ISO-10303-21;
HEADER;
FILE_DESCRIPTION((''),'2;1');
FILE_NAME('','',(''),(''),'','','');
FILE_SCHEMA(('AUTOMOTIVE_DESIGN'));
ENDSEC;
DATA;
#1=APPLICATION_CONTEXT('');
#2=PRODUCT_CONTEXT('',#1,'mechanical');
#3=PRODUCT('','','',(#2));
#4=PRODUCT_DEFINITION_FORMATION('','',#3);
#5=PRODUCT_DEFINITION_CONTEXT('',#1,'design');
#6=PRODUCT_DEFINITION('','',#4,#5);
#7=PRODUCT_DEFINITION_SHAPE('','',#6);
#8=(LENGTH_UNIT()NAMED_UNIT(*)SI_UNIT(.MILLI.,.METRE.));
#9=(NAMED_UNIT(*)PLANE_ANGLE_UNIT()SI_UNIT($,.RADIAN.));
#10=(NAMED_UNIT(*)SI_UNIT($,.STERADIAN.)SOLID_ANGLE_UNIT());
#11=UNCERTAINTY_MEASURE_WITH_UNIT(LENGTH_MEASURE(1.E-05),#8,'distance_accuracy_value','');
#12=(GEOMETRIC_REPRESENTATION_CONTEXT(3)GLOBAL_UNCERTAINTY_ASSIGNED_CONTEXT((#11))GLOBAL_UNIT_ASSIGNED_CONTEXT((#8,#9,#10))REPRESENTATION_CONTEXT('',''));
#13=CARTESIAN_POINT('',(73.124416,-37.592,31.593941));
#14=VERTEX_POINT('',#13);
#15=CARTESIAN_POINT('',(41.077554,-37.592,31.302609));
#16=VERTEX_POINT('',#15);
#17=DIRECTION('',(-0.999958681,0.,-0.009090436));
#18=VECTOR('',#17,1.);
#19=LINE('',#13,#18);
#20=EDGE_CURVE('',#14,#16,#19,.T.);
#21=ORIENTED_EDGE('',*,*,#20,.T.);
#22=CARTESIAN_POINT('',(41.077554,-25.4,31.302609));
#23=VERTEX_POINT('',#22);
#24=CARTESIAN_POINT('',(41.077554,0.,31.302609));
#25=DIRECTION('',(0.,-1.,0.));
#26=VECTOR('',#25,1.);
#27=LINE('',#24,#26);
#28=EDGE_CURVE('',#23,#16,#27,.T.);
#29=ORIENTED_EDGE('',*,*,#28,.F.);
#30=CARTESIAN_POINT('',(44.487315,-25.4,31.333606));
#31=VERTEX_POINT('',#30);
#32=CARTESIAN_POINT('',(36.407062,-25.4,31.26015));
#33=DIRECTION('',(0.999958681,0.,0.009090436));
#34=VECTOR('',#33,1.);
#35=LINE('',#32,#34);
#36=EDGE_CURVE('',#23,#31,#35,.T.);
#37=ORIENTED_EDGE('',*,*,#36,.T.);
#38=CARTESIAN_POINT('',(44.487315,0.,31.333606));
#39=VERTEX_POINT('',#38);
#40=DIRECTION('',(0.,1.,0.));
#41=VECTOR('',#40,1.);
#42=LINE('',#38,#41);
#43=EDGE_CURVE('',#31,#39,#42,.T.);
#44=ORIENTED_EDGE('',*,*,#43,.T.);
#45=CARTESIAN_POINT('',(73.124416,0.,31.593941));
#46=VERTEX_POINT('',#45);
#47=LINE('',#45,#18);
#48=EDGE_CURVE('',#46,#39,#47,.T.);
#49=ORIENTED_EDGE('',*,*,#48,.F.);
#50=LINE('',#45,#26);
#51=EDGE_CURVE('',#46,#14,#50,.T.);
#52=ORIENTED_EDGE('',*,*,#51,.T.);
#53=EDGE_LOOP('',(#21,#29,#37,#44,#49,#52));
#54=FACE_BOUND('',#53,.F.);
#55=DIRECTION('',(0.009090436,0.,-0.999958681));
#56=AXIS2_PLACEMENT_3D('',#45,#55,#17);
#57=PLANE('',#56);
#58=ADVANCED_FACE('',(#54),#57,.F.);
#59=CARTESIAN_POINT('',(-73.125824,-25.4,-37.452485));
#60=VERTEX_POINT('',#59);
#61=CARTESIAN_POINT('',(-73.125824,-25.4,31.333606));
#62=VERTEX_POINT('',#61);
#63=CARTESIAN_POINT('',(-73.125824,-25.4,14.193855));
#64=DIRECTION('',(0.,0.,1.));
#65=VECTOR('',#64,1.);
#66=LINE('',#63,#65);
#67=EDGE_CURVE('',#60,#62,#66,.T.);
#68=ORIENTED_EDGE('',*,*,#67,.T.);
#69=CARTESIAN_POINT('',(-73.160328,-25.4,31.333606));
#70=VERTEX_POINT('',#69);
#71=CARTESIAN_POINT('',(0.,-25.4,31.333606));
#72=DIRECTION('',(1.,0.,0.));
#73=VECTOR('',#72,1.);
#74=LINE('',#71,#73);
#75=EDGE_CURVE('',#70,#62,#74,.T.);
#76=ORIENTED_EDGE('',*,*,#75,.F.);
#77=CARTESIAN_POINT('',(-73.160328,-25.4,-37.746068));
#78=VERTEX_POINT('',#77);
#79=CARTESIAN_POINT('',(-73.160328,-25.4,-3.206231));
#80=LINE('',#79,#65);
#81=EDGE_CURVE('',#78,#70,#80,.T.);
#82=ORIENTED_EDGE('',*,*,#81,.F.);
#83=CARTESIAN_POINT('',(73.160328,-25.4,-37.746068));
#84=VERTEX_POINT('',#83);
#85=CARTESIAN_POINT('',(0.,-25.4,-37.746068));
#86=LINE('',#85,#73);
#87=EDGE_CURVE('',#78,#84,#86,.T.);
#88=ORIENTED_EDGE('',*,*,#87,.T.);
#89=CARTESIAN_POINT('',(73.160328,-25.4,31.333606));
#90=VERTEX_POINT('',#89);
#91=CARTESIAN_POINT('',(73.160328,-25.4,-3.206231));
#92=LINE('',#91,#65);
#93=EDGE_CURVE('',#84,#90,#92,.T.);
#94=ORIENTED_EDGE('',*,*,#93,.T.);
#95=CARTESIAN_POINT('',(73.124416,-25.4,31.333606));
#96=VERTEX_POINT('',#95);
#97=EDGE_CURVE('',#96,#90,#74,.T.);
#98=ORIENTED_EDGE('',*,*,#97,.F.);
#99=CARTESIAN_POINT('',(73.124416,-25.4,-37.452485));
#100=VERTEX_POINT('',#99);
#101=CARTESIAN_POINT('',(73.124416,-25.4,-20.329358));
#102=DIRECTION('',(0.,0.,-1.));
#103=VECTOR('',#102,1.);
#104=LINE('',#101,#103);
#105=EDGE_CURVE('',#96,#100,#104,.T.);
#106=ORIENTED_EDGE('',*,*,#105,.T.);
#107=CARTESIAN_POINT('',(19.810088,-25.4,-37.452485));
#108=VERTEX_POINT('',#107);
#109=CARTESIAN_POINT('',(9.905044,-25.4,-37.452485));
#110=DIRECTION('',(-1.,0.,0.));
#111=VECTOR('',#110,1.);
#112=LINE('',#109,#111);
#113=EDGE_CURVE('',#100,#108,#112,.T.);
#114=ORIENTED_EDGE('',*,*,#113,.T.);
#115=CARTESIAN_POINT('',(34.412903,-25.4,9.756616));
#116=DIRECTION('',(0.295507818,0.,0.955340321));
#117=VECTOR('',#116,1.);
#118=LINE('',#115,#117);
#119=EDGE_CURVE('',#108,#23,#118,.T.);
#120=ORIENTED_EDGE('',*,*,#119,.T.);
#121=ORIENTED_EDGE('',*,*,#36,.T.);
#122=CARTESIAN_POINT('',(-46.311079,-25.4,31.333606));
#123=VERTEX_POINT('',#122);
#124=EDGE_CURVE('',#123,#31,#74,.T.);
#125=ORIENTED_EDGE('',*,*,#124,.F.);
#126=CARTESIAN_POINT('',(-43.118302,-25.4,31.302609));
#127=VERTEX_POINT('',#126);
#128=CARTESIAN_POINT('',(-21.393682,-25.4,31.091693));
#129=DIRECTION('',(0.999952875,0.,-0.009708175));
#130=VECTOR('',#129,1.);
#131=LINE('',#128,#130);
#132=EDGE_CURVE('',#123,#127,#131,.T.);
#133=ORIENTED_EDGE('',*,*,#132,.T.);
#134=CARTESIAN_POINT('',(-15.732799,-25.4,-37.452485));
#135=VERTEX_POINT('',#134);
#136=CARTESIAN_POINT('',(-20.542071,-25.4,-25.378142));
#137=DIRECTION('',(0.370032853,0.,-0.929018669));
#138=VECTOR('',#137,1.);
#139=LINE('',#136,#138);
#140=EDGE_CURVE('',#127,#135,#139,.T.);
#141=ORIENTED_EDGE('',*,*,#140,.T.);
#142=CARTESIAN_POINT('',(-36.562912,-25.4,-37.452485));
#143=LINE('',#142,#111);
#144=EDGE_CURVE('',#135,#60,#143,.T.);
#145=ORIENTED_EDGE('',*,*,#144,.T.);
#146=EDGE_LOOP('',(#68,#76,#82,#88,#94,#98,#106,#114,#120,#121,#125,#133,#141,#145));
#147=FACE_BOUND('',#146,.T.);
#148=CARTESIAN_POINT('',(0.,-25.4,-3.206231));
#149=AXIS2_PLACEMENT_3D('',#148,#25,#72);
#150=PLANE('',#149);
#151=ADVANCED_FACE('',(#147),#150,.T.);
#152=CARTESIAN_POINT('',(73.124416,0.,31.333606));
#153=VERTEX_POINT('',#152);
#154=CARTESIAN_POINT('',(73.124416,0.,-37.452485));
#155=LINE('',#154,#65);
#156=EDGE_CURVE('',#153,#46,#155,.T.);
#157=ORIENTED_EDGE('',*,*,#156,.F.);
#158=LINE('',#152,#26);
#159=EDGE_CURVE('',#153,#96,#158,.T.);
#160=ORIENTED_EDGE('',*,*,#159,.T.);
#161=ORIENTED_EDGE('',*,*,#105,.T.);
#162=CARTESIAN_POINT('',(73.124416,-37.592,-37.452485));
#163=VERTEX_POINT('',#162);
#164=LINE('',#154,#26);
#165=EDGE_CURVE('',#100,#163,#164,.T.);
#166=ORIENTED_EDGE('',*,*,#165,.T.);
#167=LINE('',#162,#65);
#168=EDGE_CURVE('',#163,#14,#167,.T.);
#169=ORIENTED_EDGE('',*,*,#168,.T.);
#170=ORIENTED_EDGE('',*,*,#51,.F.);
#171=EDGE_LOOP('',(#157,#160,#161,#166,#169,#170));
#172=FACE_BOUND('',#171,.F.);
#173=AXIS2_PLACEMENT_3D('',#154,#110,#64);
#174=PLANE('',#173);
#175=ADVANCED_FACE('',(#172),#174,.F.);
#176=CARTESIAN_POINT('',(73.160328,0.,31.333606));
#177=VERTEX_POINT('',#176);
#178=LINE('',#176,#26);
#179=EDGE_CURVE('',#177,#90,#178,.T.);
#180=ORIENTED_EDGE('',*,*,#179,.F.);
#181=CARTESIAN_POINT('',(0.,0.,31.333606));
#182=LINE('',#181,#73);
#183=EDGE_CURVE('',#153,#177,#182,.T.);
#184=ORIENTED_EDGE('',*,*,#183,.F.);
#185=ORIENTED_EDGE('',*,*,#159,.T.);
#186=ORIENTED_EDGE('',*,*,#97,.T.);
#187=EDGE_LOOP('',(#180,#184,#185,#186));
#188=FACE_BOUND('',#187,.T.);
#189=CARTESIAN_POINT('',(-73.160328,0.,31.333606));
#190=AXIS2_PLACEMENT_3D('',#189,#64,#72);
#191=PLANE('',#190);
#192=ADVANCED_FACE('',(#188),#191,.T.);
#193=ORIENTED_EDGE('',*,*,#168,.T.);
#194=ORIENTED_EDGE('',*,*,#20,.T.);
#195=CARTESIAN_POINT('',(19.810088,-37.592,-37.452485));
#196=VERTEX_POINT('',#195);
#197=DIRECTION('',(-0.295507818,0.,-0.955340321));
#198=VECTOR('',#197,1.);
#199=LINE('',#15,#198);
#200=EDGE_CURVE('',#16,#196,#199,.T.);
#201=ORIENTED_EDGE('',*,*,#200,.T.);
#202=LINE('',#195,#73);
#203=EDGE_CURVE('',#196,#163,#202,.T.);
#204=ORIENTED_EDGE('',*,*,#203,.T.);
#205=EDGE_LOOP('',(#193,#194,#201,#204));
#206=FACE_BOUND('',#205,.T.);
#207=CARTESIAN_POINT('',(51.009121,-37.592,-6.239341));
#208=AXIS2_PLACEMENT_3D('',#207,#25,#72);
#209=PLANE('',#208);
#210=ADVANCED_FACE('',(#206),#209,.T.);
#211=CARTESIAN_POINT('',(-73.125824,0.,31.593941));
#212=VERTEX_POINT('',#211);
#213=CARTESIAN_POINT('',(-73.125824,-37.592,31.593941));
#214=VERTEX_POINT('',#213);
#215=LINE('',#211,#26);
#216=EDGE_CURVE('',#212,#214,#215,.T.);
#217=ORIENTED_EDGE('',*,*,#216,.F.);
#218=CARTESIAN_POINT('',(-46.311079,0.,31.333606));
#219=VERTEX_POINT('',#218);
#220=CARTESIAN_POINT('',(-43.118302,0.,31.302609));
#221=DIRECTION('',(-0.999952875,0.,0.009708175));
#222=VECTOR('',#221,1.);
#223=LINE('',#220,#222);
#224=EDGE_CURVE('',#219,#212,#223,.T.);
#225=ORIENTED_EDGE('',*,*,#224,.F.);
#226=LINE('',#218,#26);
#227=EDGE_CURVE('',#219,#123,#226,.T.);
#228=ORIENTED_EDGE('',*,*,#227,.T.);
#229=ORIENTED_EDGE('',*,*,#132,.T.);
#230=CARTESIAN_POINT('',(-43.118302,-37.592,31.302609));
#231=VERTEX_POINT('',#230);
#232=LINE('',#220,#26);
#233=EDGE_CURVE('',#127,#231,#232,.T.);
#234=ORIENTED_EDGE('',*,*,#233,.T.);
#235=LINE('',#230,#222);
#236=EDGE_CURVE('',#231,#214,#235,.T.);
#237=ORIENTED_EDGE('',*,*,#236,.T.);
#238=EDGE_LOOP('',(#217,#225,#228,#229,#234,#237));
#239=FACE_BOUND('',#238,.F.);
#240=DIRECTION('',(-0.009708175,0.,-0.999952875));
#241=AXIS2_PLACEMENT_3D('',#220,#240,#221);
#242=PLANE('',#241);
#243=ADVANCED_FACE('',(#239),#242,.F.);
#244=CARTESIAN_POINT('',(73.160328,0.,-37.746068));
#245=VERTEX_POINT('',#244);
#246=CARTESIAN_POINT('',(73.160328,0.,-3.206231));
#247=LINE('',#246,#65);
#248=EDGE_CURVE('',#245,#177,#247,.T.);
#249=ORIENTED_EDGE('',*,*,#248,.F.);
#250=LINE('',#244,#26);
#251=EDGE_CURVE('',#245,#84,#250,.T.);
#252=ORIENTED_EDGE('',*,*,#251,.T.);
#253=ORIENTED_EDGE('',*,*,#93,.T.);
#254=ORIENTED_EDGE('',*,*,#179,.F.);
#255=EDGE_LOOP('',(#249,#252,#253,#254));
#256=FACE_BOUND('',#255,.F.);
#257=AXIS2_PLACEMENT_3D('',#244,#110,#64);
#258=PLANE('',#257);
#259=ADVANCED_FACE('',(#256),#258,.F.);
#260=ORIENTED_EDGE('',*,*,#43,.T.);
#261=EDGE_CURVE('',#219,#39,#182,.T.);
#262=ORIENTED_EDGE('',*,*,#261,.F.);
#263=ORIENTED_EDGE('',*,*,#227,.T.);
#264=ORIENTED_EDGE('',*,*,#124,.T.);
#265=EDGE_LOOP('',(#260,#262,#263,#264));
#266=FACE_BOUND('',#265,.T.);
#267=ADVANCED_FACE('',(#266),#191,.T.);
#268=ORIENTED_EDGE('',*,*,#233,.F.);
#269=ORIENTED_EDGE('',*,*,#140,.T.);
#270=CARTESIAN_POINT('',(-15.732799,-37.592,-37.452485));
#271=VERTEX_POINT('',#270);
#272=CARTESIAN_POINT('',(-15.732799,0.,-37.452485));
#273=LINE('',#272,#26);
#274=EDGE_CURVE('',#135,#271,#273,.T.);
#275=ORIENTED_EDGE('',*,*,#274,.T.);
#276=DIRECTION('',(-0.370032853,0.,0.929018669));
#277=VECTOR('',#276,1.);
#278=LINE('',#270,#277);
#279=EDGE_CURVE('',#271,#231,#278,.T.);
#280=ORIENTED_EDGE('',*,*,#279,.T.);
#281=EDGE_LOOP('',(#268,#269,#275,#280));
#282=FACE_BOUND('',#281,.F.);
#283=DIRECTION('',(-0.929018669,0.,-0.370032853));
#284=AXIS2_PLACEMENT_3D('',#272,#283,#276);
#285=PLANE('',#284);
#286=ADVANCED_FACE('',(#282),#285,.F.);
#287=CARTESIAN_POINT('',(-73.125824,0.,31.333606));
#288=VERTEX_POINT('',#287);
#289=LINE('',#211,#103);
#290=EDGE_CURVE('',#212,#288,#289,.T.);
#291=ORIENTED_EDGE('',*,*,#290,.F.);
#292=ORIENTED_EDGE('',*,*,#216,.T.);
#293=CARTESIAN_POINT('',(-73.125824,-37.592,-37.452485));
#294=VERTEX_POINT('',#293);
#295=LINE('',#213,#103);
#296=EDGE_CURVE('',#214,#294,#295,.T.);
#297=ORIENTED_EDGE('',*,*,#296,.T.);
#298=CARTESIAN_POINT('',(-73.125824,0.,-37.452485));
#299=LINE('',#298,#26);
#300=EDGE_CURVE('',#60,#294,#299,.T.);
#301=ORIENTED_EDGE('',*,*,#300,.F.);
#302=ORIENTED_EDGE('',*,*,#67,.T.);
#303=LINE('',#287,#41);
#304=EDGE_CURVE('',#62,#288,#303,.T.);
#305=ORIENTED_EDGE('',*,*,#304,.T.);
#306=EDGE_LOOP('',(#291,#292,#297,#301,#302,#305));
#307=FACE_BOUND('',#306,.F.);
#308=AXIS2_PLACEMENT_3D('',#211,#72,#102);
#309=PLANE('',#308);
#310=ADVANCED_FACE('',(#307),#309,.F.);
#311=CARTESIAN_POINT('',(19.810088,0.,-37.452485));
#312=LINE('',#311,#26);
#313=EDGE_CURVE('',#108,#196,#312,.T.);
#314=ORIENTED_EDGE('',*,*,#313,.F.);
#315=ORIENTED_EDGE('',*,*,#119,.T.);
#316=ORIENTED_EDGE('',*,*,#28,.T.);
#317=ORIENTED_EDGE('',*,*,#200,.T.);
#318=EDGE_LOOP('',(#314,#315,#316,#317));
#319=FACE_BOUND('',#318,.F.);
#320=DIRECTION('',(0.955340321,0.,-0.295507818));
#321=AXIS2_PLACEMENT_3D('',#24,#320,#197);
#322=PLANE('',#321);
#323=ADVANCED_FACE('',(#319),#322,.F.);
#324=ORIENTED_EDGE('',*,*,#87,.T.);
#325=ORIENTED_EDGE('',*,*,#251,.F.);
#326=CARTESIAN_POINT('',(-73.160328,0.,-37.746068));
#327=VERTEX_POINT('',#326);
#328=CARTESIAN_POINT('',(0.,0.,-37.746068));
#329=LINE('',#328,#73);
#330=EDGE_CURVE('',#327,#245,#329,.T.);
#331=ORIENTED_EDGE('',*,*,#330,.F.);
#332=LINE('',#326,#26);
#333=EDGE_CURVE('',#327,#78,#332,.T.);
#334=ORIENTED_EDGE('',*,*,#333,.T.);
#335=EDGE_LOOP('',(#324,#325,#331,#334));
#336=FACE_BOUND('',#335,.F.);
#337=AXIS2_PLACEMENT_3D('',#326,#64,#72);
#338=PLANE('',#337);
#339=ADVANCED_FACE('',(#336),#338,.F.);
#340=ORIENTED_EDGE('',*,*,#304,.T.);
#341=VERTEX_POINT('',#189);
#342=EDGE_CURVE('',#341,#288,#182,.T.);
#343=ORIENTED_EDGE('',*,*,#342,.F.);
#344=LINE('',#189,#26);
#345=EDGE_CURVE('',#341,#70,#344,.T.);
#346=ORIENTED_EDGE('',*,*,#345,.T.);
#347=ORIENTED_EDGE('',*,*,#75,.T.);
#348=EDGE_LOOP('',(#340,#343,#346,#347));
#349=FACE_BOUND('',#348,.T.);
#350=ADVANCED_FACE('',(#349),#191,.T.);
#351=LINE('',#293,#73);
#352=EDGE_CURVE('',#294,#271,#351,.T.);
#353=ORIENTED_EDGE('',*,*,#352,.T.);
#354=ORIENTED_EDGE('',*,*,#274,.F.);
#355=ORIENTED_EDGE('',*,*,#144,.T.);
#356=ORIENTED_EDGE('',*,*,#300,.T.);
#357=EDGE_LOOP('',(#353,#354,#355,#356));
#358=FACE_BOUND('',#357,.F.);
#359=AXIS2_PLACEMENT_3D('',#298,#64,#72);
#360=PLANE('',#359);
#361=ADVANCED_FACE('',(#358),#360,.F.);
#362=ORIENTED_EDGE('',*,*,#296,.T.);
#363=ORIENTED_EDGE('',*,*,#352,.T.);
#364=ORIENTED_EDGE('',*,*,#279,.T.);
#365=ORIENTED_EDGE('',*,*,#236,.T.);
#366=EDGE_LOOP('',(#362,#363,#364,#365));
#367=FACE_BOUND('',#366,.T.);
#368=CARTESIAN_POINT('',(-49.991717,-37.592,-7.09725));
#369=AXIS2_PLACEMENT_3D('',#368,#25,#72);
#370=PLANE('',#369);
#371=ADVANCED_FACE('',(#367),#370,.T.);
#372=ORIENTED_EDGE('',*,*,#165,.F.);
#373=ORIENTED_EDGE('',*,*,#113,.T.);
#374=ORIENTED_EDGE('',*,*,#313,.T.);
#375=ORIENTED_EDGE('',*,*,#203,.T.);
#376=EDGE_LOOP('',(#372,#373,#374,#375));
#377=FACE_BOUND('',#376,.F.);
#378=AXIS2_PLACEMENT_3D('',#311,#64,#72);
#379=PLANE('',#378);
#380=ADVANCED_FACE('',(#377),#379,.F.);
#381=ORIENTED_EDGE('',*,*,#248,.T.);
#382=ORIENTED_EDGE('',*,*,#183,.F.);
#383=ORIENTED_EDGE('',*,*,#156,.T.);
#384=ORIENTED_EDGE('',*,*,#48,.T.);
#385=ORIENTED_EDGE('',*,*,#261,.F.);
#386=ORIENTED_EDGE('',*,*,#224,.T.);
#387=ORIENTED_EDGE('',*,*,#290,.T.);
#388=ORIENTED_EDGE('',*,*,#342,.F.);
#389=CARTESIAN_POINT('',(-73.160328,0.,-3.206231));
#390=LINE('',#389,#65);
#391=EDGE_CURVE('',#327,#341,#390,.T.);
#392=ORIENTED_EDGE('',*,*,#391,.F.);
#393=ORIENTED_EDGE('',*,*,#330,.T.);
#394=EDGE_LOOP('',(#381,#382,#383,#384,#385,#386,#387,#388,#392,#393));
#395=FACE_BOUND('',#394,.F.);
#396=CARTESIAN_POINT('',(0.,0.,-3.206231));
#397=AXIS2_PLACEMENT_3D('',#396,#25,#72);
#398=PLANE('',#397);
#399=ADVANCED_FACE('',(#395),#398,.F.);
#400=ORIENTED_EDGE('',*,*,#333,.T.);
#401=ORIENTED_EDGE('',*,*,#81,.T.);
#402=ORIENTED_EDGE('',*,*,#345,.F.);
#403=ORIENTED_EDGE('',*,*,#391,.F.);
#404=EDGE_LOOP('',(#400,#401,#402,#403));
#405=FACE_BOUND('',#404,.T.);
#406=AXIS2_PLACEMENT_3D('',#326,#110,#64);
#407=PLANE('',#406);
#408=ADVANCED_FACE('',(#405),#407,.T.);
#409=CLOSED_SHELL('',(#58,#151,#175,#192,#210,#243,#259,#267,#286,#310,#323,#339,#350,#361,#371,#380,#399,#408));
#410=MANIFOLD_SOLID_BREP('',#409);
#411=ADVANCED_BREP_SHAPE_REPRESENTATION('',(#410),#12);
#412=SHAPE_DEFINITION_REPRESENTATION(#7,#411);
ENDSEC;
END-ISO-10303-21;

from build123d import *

# Parameters (mm, degrees)
F0_W     = 146.320656
F0_H     = 69.079675
F2_DEPTH = 25.4
F3_DEPTH = 37.592


with BuildPart() as f2:
    # F0 (on Front) → F2 (new body)
    with BuildSketch(Plane.XZ):
        with Locations((0, -3.206231)):
            Rectangle(F0_W, F0_H)
    extrude(amount=F2_DEPTH)

    # F1 (on Front) → F3 (join)
    with BuildSketch(Plane.XZ):
        Polygon((-43.118302, 31.302609), (-73.125824, 31.593941), (-73.125824, -37.452485), (-15.732799, -37.452485), align=None)
        Polygon((73.124416, -37.452485), (73.124416, 31.593941), (41.077554, 31.302609), (19.810088, -37.452485), align=None)
    extrude(amount=F3_DEPTH)


solid = f2.part
